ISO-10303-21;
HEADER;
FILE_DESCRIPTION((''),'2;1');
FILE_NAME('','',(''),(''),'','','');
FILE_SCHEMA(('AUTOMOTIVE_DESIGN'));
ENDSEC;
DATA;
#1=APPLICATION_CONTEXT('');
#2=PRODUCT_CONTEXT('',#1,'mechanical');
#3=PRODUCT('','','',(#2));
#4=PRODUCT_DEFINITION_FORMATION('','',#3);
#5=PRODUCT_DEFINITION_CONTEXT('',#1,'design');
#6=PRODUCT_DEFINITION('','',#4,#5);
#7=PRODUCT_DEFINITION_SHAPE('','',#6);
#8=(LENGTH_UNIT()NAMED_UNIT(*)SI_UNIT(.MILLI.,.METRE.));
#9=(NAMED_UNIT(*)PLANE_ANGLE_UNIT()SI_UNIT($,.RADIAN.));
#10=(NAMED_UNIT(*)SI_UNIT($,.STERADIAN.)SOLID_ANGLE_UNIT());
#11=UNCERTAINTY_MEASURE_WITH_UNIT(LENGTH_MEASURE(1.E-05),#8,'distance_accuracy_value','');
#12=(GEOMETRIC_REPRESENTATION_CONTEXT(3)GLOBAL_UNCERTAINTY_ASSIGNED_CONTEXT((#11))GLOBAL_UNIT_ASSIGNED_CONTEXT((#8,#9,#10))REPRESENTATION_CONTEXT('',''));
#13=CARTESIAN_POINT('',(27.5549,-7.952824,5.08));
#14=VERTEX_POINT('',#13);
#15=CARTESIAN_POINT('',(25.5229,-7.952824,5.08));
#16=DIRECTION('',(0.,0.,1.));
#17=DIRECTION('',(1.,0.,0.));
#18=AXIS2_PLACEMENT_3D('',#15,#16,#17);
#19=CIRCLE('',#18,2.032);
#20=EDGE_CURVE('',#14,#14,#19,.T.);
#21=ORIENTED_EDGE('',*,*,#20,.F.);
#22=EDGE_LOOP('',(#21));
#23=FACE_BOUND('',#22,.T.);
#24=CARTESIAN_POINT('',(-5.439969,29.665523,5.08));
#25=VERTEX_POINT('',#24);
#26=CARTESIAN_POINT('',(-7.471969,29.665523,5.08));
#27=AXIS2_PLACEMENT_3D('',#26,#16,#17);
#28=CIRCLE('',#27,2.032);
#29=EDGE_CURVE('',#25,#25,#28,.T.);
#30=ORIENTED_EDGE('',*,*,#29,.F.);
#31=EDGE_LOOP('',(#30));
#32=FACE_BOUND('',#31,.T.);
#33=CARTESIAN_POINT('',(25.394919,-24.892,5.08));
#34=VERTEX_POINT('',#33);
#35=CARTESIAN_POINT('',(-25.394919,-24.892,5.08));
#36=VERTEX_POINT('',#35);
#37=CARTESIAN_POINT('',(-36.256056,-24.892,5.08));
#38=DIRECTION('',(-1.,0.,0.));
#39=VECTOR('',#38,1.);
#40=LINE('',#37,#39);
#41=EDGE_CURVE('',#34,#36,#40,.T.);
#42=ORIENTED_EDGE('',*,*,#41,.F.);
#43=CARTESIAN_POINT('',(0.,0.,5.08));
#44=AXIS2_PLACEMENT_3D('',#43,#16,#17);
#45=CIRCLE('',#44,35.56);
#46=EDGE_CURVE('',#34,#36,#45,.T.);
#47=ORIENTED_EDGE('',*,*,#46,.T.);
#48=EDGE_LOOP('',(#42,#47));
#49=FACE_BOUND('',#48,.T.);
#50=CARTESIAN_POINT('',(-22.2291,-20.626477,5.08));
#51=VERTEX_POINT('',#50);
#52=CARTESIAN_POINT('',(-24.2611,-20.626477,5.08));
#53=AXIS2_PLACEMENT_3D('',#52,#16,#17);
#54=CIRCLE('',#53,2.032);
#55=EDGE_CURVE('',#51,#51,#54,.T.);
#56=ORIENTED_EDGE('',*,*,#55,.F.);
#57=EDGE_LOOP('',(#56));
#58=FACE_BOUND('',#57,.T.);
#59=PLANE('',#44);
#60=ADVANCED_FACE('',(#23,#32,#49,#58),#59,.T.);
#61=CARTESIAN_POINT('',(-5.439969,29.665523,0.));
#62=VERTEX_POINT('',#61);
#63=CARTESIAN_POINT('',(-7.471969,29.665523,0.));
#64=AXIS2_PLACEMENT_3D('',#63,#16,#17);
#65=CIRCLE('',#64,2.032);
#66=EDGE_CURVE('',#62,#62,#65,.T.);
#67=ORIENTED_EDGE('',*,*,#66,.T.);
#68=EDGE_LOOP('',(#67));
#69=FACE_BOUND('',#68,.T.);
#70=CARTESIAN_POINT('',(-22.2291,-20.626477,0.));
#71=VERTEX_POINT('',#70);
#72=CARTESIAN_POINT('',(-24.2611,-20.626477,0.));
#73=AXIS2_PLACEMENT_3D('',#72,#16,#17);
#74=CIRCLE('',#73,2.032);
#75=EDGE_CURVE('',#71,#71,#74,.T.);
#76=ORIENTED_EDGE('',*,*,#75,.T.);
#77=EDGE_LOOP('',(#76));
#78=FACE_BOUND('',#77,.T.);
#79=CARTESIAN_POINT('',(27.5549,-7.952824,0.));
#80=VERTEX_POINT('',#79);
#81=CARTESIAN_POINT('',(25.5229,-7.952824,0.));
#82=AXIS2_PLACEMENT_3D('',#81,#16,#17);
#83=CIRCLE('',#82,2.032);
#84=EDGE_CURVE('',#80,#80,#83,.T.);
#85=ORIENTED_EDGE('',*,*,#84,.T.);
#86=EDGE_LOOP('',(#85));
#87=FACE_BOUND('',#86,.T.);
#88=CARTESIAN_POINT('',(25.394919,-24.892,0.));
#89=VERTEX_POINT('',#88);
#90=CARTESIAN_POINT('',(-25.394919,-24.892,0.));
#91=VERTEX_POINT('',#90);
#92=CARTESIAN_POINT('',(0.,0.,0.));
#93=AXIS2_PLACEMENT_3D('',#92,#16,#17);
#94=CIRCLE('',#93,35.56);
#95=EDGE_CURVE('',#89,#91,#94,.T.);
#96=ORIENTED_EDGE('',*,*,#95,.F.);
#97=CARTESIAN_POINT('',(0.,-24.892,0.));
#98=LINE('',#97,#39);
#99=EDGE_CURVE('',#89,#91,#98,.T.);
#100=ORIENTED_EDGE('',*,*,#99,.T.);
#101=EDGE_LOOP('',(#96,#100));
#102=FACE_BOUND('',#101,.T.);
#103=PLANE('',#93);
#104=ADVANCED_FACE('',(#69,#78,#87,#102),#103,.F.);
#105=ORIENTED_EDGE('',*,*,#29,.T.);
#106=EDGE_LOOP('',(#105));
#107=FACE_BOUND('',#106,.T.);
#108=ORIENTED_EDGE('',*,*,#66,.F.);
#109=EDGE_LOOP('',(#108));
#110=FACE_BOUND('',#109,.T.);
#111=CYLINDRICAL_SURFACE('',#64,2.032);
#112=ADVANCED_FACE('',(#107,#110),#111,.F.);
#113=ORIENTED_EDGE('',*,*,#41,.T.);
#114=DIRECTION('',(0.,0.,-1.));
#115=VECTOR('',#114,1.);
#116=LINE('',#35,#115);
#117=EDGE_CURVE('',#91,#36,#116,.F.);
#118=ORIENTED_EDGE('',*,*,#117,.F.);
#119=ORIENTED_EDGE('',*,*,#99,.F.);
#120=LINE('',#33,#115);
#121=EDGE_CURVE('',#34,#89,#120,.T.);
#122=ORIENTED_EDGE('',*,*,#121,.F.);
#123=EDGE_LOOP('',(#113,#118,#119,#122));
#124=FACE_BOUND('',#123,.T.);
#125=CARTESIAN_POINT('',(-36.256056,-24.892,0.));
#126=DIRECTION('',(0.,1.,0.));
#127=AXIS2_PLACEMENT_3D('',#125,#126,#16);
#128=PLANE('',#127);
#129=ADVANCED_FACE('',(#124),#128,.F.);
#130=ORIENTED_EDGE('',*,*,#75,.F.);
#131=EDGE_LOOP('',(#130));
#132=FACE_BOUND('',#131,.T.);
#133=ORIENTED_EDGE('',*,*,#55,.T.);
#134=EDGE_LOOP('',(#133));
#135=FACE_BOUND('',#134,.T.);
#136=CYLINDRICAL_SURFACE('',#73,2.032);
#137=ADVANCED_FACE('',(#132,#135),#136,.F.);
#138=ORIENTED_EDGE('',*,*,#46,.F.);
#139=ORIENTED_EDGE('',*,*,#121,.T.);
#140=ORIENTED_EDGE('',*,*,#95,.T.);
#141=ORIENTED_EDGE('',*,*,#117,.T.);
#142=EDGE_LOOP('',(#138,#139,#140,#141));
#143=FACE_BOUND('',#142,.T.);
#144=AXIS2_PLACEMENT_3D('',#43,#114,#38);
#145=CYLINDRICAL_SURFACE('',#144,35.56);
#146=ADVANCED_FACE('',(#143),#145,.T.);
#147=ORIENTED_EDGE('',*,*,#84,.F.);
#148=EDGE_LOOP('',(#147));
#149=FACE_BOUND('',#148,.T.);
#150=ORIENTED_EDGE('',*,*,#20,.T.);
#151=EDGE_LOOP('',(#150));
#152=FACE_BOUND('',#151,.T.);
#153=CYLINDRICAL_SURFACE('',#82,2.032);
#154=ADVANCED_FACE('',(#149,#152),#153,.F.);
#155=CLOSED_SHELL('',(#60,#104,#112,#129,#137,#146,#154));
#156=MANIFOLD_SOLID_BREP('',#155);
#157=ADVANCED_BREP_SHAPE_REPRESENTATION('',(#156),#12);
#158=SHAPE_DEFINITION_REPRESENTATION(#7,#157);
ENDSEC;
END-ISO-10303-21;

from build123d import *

# Parameters (mm, degrees)
SKETCH1_R           = 35.56
BOSS_EXTRUDE1_DEPTH = 5.08
CUT_EXTRUDE1_DEPTH  = 51.545361805
SKETCH7_R           = 2.032
CUT_EXTRUDE2_DEPTH  = 51.545361805


with BuildPart() as part:
    # Sketch1 → Boss-Extrude1 (new body)
    with BuildSketch(Plane.XY):
        Circle(SKETCH1_R)
    extrude(amount=BOSS_EXTRUDE1_DEPTH)

    # Sketch2 → Cut-Extrude1 (cut, through all)
    with BuildSketch(Plane.XY.offset(5.08)):
        Polygon((0, -35.56), (-36.256055522, -35.56), (-36.256055522, -24.892), (33.75035888, -24.892), (33.75035888, -35.56), align=None)
    extrude(amount=-CUT_EXTRUDE1_DEPTH, mode=Mode.SUBTRACT)

    # Sketch7 → Cut-Extrude2 (cut, through all)
    with BuildSketch(Plane.XY.offset(5.08)):
        with Locations((-24.261099887, -20.626476503)):
            Circle(SKETCH7_R)
        with Locations((-7.471969114, 29.665523497)):
            Circle(SKETCH7_R)
        with Locations((25.522900113, -7.952823738)):
            Circle(SKETCH7_R)
    extrude(amount=-CUT_EXTRUDE2_DEPTH, mode=Mode.SUBTRACT)


solid = part.part
